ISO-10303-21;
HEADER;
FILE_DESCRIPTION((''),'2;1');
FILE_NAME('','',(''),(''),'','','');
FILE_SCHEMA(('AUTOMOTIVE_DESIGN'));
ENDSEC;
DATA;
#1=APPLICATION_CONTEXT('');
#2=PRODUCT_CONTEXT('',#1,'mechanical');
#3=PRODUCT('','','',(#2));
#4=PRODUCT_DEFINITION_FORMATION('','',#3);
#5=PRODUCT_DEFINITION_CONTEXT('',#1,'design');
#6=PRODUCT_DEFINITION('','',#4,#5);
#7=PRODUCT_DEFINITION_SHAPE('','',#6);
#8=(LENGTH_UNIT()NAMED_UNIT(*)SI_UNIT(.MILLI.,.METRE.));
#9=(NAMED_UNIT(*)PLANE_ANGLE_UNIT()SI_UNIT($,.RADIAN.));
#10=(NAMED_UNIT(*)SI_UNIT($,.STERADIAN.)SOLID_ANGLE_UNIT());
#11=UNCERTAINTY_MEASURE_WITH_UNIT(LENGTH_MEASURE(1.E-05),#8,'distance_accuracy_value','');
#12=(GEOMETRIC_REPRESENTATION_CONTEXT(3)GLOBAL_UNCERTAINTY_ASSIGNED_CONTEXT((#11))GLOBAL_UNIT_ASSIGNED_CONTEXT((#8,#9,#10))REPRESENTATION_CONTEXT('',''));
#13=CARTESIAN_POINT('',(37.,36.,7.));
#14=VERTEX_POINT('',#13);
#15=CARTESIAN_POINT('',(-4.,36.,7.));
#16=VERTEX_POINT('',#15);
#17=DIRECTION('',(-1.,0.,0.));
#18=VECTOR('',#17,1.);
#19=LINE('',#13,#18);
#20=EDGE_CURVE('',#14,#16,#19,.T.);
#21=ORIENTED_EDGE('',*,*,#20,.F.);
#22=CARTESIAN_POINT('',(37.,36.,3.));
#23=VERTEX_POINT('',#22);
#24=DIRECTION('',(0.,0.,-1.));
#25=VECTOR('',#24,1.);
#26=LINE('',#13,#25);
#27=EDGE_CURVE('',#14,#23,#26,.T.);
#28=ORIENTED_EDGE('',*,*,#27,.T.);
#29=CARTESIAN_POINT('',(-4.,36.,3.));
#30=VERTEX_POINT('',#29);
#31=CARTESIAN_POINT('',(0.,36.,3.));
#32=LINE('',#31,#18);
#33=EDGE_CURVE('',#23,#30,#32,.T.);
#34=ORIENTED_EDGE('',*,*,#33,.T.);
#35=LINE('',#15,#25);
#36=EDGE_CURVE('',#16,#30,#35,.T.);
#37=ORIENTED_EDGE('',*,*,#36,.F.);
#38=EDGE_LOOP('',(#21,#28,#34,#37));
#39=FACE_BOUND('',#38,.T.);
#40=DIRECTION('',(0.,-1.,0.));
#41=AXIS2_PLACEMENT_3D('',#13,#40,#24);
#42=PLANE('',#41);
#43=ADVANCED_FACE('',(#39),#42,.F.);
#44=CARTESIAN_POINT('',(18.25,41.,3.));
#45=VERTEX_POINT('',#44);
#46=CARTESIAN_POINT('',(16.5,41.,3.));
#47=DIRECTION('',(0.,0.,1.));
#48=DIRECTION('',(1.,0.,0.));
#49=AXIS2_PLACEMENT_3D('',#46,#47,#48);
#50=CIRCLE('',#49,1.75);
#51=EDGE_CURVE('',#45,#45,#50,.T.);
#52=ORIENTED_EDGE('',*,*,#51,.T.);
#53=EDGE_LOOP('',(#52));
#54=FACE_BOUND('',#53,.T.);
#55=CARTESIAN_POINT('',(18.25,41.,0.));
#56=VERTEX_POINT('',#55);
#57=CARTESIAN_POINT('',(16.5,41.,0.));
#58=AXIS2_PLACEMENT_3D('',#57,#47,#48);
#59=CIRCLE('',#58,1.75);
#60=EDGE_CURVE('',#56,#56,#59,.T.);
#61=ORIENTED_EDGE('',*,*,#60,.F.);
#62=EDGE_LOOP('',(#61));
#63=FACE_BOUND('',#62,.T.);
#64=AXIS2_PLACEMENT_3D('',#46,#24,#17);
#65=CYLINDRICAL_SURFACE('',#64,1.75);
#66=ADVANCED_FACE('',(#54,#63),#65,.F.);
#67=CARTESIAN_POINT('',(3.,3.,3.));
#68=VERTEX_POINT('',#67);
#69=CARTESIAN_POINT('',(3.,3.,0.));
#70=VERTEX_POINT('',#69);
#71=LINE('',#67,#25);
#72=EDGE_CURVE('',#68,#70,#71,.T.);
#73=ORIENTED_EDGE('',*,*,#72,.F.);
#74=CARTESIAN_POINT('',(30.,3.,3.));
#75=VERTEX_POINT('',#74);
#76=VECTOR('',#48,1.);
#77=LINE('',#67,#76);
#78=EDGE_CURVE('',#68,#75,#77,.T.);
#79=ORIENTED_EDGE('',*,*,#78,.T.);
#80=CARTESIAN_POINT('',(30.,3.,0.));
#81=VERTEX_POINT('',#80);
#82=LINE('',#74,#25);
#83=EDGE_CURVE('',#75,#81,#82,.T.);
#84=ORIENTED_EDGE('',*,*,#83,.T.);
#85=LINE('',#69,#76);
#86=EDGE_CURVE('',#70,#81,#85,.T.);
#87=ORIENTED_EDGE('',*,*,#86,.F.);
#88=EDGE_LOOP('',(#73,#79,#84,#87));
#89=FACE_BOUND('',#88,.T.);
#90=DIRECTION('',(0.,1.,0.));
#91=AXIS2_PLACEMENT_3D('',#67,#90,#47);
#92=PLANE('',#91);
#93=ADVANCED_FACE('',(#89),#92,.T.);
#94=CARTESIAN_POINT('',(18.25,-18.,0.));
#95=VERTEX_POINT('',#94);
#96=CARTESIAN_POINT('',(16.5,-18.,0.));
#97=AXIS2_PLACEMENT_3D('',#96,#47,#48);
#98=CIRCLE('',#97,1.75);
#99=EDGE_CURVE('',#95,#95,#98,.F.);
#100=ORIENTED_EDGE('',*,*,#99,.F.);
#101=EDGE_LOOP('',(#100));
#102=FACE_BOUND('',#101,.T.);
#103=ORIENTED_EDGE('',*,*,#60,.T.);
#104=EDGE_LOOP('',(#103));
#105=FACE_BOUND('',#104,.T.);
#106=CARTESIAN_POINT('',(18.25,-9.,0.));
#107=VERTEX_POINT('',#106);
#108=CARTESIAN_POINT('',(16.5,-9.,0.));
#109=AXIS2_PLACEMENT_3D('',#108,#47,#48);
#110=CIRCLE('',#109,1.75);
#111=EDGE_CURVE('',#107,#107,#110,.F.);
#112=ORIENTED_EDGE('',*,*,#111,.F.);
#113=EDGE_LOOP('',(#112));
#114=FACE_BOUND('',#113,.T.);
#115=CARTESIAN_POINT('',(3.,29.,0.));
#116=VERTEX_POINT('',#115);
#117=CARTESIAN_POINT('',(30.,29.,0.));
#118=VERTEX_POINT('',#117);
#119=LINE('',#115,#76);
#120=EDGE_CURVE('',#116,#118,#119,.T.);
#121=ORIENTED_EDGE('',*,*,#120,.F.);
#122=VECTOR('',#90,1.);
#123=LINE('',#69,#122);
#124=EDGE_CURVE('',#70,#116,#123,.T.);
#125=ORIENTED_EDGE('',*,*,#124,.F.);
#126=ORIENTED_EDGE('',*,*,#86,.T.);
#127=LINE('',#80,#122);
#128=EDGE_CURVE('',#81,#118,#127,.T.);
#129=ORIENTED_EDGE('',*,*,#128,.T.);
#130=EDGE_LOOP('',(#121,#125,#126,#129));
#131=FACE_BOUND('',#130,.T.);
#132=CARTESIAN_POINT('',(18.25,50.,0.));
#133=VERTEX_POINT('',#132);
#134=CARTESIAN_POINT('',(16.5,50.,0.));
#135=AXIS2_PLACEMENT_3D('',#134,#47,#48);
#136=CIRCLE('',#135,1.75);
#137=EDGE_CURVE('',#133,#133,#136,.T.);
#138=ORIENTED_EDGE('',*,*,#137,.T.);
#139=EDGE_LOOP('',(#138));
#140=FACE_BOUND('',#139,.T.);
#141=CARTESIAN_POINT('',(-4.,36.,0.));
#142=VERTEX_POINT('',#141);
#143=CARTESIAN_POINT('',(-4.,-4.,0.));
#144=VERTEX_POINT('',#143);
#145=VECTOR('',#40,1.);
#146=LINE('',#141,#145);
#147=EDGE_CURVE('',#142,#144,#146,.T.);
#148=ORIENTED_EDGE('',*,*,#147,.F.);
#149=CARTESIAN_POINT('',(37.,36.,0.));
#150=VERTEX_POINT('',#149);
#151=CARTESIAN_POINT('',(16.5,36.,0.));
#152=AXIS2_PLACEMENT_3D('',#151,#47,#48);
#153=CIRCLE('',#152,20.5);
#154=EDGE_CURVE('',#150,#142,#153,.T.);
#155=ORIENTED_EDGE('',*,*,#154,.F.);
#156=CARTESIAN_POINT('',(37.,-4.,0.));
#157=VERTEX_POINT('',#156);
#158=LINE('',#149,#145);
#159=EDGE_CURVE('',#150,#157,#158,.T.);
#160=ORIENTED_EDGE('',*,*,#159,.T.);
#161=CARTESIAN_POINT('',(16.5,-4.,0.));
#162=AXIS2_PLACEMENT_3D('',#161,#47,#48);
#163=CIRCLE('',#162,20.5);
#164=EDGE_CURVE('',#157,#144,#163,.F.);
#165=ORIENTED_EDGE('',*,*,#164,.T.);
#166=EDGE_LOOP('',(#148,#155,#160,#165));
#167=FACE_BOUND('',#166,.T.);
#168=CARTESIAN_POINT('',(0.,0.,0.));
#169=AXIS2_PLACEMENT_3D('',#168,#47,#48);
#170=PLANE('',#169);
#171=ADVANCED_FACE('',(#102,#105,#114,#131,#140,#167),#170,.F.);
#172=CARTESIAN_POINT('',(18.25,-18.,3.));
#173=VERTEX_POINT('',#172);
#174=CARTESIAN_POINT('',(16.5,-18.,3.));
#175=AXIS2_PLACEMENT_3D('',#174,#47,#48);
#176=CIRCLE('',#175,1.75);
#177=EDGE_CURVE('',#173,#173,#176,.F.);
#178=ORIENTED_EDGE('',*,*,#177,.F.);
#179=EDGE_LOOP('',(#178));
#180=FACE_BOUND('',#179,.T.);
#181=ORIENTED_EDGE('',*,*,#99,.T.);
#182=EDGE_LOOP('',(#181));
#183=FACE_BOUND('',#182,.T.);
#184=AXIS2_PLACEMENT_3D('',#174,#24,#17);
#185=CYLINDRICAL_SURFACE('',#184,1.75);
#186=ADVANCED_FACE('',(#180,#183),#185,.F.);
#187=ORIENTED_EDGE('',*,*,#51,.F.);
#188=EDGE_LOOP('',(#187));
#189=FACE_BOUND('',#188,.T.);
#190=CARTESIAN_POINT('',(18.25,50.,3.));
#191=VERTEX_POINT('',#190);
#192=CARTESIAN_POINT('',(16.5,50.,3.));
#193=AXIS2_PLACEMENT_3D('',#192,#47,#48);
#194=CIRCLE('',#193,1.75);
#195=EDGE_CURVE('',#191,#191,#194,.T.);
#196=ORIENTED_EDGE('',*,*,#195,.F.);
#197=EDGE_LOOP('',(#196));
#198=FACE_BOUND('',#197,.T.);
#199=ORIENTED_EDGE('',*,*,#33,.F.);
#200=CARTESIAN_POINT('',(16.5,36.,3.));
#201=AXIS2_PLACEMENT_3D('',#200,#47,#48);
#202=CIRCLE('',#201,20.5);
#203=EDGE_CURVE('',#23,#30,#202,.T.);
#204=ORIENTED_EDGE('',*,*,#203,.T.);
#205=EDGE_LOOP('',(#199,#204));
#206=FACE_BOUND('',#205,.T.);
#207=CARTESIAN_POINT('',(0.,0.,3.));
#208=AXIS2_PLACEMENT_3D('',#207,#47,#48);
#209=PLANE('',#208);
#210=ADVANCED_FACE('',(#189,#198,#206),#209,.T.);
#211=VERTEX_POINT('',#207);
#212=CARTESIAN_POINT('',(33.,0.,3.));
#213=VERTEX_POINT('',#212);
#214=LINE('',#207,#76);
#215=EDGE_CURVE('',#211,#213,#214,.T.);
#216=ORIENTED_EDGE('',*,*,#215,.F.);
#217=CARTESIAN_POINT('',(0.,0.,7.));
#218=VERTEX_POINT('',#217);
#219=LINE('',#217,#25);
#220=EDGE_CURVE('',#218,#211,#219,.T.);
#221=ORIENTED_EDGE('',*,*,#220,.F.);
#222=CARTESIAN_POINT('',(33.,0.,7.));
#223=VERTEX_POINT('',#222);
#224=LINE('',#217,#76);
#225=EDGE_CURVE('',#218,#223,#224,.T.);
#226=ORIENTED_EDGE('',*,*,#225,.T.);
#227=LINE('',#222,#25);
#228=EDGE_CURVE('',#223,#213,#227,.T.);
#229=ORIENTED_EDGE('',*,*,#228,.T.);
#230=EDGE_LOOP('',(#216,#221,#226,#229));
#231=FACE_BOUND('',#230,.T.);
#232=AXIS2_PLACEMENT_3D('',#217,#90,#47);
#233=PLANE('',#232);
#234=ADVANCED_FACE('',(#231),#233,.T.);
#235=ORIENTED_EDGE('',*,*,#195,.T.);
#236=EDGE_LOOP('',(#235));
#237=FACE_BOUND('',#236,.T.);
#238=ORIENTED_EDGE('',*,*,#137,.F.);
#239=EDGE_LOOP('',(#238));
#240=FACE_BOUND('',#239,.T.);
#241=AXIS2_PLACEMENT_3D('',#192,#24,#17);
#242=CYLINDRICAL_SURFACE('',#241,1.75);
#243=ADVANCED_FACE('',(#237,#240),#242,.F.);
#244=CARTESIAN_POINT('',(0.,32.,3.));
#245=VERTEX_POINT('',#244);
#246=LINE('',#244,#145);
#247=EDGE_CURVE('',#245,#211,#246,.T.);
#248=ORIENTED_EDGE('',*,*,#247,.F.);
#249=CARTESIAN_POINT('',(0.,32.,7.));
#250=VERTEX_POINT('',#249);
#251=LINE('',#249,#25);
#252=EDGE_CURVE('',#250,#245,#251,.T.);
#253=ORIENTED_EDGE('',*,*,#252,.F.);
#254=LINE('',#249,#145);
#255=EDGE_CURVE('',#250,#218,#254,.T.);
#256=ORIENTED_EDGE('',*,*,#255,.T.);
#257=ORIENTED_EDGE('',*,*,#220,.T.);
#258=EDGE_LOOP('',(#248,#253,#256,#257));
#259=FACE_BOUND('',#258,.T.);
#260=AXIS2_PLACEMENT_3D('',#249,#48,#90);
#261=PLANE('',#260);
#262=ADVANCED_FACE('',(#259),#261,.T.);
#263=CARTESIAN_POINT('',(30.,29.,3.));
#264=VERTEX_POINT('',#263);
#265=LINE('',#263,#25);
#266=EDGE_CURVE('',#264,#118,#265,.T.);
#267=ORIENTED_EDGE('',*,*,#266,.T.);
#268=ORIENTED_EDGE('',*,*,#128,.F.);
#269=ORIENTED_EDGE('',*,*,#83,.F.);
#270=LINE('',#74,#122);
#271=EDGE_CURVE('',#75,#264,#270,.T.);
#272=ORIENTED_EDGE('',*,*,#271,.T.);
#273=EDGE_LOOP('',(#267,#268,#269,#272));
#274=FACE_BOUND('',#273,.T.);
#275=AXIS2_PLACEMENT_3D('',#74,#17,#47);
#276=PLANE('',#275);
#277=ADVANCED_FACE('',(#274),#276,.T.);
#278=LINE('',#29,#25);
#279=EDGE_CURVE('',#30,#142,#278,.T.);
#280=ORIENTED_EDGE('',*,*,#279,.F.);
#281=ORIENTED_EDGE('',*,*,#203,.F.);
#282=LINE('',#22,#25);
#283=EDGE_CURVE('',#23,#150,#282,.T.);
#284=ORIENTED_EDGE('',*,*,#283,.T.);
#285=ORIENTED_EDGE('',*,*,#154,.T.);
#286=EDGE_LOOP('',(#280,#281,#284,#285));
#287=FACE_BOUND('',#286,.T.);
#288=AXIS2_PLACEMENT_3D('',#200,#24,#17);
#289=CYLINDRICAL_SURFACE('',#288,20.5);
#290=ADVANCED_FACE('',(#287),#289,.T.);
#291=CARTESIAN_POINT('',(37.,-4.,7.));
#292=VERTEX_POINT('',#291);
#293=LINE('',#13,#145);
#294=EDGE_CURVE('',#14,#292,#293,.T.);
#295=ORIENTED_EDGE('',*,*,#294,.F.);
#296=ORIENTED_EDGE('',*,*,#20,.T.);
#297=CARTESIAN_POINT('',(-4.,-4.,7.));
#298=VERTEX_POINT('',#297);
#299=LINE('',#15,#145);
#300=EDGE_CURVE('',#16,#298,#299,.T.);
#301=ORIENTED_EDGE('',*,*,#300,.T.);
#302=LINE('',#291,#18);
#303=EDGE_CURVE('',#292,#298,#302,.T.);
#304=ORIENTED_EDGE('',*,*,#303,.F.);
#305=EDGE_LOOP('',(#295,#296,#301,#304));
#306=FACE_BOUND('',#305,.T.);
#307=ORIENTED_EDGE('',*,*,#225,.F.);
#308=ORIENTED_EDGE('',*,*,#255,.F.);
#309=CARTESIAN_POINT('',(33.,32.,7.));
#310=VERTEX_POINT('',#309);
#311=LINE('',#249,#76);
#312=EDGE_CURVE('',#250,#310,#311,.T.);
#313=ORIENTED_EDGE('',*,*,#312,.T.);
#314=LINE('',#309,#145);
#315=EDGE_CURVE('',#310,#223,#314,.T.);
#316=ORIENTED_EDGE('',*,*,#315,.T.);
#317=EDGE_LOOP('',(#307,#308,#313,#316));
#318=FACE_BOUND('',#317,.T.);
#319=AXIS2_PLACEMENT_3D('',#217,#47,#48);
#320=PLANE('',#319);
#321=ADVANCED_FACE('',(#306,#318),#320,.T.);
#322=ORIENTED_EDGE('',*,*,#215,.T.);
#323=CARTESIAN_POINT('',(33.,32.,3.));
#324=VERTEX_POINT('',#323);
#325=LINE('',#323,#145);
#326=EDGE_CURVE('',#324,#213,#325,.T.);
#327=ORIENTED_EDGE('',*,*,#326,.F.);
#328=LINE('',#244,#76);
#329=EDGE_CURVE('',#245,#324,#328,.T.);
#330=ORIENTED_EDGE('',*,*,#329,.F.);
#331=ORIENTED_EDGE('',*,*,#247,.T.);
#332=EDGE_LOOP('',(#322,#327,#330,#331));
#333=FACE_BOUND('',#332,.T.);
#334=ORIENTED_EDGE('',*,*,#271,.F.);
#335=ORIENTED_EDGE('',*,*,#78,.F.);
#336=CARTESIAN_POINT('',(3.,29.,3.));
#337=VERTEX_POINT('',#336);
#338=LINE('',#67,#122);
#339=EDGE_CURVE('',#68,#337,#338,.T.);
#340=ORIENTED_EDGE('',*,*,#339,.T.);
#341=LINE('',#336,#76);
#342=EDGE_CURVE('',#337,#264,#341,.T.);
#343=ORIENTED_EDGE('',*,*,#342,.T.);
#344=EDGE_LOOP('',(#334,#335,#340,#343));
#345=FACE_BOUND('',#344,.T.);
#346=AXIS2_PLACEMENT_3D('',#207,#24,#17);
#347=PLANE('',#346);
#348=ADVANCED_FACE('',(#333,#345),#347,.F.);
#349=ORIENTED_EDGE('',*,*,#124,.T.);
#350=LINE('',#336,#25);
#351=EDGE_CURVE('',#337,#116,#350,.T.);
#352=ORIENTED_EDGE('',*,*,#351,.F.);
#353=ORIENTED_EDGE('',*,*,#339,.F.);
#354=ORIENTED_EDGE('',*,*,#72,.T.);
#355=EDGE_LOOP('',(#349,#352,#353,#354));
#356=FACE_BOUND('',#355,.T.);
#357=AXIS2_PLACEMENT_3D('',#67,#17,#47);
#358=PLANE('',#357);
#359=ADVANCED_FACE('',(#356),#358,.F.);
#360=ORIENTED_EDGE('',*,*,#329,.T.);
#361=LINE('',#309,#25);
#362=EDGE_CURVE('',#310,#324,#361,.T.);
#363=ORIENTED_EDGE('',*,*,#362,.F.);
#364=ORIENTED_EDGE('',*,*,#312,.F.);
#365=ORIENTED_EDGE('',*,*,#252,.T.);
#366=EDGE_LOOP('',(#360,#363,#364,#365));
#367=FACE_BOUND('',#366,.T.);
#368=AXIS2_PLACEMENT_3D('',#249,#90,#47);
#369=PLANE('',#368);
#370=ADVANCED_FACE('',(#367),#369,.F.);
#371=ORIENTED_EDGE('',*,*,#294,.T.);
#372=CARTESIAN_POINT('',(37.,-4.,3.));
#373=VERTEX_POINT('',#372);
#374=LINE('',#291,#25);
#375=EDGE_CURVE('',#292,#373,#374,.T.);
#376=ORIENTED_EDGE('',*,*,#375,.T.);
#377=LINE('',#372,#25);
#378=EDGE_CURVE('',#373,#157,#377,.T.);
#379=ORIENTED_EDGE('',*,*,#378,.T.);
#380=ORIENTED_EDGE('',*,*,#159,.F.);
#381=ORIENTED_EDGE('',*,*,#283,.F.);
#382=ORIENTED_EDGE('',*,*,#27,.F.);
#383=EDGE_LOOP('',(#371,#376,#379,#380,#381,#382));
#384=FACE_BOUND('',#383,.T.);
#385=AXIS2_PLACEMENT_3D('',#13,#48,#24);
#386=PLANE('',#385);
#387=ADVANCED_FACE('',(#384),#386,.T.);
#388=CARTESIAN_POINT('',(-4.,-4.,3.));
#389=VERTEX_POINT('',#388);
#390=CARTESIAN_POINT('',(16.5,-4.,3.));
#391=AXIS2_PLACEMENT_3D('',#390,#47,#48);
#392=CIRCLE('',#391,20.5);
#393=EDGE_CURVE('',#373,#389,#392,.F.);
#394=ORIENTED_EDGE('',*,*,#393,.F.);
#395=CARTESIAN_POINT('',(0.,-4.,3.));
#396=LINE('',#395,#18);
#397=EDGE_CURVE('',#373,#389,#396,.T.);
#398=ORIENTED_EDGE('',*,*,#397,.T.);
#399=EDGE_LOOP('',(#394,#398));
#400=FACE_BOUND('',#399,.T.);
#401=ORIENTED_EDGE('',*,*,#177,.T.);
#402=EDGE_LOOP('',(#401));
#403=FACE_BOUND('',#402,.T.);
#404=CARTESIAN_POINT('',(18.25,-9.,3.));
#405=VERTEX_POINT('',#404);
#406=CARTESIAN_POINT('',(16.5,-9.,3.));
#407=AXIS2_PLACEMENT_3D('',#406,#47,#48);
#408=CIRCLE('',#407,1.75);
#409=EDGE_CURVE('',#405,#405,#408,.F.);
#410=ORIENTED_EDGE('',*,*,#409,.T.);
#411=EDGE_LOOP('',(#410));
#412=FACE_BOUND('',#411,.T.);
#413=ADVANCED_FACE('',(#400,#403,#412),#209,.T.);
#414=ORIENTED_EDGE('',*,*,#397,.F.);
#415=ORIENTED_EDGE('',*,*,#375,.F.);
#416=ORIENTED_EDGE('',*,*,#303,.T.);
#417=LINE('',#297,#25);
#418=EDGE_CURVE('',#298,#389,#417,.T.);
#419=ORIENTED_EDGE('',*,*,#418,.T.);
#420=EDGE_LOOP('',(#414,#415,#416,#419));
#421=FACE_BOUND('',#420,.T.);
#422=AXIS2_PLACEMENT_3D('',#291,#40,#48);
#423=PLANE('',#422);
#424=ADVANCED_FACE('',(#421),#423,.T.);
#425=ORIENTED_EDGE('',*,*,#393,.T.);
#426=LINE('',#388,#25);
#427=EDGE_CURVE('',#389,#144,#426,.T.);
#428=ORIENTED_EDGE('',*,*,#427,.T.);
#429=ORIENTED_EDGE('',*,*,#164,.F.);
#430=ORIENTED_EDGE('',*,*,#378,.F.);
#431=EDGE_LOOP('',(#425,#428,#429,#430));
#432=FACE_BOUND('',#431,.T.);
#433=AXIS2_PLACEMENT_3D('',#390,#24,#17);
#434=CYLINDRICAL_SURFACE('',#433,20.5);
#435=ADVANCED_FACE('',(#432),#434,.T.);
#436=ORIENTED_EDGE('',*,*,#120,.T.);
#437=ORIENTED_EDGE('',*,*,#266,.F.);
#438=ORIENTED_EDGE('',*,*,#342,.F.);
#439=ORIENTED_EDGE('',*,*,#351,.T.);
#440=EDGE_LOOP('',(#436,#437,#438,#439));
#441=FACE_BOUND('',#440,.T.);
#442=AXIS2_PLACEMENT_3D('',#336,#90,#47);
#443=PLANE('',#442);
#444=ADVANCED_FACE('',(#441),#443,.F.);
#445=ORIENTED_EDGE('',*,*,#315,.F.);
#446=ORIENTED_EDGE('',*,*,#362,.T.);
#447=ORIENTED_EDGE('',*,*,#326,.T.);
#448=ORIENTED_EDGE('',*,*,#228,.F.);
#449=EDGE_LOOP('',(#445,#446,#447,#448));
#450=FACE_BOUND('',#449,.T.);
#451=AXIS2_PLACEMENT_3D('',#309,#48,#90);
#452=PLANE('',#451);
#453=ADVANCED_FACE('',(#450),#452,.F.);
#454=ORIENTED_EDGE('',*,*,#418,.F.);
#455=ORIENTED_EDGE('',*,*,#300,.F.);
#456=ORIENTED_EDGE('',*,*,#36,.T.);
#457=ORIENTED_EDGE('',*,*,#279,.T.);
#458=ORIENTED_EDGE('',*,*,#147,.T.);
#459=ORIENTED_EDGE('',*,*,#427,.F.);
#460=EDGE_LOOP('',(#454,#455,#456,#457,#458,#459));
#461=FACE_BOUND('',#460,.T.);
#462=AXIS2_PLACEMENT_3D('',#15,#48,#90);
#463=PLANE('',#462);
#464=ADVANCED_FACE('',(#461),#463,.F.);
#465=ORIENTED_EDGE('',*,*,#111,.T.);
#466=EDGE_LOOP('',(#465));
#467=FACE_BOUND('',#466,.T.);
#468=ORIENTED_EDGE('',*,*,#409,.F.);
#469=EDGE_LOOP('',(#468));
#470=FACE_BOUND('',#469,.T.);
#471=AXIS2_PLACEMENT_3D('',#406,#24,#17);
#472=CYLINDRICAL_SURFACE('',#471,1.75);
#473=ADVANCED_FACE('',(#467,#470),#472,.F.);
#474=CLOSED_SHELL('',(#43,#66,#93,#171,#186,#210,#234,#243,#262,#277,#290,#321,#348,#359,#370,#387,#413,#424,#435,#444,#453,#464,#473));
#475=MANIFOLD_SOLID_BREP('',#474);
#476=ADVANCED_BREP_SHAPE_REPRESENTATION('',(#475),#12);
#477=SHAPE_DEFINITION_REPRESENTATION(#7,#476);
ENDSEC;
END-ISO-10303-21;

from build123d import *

# Parameters (mm, degrees)
SKETCH_1_W      = 41
SKETCH_1_H      = 40
SKETCH_1_W_2    = 33
SKETCH_1_H_2    = 32
EXTRUDE_5_DEPTH = 7
SKETCH_1_7_W    = 33
SKETCH_1_7_H    = 32
SKETCH_1_7_W_2  = 27
SKETCH_1_7_H_2  = 26
EXTRUDE_6_DEPTH = 3
SKETCH_1_9_R    = 1.75
EXTRUDE_7_DEPTH = 3


with BuildPart() as part:
    # 草图1 → 凸台-拉伸5 (new body)
    with BuildSketch(Plane.XY):
        with Locations((16.5, 16)):
            Rectangle(SKETCH_1_W, SKETCH_1_H)
        with Locations((16.5, 16)):
            Rectangle(SKETCH_1_W_2, SKETCH_1_H_2, mode=Mode.SUBTRACT)
    extrude(amount=EXTRUDE_5_DEPTH)

    # 草图1<7> → 凸台-拉伸6 (add)
    with BuildSketch(Plane.XY):
        with Locations((16.5, 16)):
            Rectangle(SKETCH_1_7_W, SKETCH_1_7_H)
        with Locations((16.5, 16)):
            Rectangle(SKETCH_1_7_W_2, SKETCH_1_7_H_2, mode=Mode.SUBTRACT)
    extrude(amount=EXTRUDE_6_DEPTH)

    # 草图1<9> → 凸台-拉伸7 (add)
    # profile 1 of 2: a face of its own
    with BuildSketch(Plane.XY):
        with BuildLine():
            Line((37, -4), (-4, -4))
            ThreePointArc((-4, -4), (16.5, -24.5), (37, -4))
        make_face()
        with Locations((16.5, -18)):
            Circle(SKETCH_1_9_R, mode=Mode.SUBTRACT)
        with Locations((16.5, -9)):
            Circle(SKETCH_1_9_R, mode=Mode.SUBTRACT)
    # profile 2 of 2: a face of its own
    with BuildSketch(Plane.XY):
        with BuildLine():
            ThreePointArc((37, 36), (16.5, 56.5), (-4, 36))
            Line((-4, 36), (37, 36))
        make_face()
        with Locations((16.5, 41)):
            Circle(SKETCH_1_9_R, mode=Mode.SUBTRACT)
        with Locations((16.5, 50)):
            Circle(SKETCH_1_9_R, mode=Mode.SUBTRACT)
    extrude(amount=EXTRUDE_7_DEPTH)


solid = part.part
